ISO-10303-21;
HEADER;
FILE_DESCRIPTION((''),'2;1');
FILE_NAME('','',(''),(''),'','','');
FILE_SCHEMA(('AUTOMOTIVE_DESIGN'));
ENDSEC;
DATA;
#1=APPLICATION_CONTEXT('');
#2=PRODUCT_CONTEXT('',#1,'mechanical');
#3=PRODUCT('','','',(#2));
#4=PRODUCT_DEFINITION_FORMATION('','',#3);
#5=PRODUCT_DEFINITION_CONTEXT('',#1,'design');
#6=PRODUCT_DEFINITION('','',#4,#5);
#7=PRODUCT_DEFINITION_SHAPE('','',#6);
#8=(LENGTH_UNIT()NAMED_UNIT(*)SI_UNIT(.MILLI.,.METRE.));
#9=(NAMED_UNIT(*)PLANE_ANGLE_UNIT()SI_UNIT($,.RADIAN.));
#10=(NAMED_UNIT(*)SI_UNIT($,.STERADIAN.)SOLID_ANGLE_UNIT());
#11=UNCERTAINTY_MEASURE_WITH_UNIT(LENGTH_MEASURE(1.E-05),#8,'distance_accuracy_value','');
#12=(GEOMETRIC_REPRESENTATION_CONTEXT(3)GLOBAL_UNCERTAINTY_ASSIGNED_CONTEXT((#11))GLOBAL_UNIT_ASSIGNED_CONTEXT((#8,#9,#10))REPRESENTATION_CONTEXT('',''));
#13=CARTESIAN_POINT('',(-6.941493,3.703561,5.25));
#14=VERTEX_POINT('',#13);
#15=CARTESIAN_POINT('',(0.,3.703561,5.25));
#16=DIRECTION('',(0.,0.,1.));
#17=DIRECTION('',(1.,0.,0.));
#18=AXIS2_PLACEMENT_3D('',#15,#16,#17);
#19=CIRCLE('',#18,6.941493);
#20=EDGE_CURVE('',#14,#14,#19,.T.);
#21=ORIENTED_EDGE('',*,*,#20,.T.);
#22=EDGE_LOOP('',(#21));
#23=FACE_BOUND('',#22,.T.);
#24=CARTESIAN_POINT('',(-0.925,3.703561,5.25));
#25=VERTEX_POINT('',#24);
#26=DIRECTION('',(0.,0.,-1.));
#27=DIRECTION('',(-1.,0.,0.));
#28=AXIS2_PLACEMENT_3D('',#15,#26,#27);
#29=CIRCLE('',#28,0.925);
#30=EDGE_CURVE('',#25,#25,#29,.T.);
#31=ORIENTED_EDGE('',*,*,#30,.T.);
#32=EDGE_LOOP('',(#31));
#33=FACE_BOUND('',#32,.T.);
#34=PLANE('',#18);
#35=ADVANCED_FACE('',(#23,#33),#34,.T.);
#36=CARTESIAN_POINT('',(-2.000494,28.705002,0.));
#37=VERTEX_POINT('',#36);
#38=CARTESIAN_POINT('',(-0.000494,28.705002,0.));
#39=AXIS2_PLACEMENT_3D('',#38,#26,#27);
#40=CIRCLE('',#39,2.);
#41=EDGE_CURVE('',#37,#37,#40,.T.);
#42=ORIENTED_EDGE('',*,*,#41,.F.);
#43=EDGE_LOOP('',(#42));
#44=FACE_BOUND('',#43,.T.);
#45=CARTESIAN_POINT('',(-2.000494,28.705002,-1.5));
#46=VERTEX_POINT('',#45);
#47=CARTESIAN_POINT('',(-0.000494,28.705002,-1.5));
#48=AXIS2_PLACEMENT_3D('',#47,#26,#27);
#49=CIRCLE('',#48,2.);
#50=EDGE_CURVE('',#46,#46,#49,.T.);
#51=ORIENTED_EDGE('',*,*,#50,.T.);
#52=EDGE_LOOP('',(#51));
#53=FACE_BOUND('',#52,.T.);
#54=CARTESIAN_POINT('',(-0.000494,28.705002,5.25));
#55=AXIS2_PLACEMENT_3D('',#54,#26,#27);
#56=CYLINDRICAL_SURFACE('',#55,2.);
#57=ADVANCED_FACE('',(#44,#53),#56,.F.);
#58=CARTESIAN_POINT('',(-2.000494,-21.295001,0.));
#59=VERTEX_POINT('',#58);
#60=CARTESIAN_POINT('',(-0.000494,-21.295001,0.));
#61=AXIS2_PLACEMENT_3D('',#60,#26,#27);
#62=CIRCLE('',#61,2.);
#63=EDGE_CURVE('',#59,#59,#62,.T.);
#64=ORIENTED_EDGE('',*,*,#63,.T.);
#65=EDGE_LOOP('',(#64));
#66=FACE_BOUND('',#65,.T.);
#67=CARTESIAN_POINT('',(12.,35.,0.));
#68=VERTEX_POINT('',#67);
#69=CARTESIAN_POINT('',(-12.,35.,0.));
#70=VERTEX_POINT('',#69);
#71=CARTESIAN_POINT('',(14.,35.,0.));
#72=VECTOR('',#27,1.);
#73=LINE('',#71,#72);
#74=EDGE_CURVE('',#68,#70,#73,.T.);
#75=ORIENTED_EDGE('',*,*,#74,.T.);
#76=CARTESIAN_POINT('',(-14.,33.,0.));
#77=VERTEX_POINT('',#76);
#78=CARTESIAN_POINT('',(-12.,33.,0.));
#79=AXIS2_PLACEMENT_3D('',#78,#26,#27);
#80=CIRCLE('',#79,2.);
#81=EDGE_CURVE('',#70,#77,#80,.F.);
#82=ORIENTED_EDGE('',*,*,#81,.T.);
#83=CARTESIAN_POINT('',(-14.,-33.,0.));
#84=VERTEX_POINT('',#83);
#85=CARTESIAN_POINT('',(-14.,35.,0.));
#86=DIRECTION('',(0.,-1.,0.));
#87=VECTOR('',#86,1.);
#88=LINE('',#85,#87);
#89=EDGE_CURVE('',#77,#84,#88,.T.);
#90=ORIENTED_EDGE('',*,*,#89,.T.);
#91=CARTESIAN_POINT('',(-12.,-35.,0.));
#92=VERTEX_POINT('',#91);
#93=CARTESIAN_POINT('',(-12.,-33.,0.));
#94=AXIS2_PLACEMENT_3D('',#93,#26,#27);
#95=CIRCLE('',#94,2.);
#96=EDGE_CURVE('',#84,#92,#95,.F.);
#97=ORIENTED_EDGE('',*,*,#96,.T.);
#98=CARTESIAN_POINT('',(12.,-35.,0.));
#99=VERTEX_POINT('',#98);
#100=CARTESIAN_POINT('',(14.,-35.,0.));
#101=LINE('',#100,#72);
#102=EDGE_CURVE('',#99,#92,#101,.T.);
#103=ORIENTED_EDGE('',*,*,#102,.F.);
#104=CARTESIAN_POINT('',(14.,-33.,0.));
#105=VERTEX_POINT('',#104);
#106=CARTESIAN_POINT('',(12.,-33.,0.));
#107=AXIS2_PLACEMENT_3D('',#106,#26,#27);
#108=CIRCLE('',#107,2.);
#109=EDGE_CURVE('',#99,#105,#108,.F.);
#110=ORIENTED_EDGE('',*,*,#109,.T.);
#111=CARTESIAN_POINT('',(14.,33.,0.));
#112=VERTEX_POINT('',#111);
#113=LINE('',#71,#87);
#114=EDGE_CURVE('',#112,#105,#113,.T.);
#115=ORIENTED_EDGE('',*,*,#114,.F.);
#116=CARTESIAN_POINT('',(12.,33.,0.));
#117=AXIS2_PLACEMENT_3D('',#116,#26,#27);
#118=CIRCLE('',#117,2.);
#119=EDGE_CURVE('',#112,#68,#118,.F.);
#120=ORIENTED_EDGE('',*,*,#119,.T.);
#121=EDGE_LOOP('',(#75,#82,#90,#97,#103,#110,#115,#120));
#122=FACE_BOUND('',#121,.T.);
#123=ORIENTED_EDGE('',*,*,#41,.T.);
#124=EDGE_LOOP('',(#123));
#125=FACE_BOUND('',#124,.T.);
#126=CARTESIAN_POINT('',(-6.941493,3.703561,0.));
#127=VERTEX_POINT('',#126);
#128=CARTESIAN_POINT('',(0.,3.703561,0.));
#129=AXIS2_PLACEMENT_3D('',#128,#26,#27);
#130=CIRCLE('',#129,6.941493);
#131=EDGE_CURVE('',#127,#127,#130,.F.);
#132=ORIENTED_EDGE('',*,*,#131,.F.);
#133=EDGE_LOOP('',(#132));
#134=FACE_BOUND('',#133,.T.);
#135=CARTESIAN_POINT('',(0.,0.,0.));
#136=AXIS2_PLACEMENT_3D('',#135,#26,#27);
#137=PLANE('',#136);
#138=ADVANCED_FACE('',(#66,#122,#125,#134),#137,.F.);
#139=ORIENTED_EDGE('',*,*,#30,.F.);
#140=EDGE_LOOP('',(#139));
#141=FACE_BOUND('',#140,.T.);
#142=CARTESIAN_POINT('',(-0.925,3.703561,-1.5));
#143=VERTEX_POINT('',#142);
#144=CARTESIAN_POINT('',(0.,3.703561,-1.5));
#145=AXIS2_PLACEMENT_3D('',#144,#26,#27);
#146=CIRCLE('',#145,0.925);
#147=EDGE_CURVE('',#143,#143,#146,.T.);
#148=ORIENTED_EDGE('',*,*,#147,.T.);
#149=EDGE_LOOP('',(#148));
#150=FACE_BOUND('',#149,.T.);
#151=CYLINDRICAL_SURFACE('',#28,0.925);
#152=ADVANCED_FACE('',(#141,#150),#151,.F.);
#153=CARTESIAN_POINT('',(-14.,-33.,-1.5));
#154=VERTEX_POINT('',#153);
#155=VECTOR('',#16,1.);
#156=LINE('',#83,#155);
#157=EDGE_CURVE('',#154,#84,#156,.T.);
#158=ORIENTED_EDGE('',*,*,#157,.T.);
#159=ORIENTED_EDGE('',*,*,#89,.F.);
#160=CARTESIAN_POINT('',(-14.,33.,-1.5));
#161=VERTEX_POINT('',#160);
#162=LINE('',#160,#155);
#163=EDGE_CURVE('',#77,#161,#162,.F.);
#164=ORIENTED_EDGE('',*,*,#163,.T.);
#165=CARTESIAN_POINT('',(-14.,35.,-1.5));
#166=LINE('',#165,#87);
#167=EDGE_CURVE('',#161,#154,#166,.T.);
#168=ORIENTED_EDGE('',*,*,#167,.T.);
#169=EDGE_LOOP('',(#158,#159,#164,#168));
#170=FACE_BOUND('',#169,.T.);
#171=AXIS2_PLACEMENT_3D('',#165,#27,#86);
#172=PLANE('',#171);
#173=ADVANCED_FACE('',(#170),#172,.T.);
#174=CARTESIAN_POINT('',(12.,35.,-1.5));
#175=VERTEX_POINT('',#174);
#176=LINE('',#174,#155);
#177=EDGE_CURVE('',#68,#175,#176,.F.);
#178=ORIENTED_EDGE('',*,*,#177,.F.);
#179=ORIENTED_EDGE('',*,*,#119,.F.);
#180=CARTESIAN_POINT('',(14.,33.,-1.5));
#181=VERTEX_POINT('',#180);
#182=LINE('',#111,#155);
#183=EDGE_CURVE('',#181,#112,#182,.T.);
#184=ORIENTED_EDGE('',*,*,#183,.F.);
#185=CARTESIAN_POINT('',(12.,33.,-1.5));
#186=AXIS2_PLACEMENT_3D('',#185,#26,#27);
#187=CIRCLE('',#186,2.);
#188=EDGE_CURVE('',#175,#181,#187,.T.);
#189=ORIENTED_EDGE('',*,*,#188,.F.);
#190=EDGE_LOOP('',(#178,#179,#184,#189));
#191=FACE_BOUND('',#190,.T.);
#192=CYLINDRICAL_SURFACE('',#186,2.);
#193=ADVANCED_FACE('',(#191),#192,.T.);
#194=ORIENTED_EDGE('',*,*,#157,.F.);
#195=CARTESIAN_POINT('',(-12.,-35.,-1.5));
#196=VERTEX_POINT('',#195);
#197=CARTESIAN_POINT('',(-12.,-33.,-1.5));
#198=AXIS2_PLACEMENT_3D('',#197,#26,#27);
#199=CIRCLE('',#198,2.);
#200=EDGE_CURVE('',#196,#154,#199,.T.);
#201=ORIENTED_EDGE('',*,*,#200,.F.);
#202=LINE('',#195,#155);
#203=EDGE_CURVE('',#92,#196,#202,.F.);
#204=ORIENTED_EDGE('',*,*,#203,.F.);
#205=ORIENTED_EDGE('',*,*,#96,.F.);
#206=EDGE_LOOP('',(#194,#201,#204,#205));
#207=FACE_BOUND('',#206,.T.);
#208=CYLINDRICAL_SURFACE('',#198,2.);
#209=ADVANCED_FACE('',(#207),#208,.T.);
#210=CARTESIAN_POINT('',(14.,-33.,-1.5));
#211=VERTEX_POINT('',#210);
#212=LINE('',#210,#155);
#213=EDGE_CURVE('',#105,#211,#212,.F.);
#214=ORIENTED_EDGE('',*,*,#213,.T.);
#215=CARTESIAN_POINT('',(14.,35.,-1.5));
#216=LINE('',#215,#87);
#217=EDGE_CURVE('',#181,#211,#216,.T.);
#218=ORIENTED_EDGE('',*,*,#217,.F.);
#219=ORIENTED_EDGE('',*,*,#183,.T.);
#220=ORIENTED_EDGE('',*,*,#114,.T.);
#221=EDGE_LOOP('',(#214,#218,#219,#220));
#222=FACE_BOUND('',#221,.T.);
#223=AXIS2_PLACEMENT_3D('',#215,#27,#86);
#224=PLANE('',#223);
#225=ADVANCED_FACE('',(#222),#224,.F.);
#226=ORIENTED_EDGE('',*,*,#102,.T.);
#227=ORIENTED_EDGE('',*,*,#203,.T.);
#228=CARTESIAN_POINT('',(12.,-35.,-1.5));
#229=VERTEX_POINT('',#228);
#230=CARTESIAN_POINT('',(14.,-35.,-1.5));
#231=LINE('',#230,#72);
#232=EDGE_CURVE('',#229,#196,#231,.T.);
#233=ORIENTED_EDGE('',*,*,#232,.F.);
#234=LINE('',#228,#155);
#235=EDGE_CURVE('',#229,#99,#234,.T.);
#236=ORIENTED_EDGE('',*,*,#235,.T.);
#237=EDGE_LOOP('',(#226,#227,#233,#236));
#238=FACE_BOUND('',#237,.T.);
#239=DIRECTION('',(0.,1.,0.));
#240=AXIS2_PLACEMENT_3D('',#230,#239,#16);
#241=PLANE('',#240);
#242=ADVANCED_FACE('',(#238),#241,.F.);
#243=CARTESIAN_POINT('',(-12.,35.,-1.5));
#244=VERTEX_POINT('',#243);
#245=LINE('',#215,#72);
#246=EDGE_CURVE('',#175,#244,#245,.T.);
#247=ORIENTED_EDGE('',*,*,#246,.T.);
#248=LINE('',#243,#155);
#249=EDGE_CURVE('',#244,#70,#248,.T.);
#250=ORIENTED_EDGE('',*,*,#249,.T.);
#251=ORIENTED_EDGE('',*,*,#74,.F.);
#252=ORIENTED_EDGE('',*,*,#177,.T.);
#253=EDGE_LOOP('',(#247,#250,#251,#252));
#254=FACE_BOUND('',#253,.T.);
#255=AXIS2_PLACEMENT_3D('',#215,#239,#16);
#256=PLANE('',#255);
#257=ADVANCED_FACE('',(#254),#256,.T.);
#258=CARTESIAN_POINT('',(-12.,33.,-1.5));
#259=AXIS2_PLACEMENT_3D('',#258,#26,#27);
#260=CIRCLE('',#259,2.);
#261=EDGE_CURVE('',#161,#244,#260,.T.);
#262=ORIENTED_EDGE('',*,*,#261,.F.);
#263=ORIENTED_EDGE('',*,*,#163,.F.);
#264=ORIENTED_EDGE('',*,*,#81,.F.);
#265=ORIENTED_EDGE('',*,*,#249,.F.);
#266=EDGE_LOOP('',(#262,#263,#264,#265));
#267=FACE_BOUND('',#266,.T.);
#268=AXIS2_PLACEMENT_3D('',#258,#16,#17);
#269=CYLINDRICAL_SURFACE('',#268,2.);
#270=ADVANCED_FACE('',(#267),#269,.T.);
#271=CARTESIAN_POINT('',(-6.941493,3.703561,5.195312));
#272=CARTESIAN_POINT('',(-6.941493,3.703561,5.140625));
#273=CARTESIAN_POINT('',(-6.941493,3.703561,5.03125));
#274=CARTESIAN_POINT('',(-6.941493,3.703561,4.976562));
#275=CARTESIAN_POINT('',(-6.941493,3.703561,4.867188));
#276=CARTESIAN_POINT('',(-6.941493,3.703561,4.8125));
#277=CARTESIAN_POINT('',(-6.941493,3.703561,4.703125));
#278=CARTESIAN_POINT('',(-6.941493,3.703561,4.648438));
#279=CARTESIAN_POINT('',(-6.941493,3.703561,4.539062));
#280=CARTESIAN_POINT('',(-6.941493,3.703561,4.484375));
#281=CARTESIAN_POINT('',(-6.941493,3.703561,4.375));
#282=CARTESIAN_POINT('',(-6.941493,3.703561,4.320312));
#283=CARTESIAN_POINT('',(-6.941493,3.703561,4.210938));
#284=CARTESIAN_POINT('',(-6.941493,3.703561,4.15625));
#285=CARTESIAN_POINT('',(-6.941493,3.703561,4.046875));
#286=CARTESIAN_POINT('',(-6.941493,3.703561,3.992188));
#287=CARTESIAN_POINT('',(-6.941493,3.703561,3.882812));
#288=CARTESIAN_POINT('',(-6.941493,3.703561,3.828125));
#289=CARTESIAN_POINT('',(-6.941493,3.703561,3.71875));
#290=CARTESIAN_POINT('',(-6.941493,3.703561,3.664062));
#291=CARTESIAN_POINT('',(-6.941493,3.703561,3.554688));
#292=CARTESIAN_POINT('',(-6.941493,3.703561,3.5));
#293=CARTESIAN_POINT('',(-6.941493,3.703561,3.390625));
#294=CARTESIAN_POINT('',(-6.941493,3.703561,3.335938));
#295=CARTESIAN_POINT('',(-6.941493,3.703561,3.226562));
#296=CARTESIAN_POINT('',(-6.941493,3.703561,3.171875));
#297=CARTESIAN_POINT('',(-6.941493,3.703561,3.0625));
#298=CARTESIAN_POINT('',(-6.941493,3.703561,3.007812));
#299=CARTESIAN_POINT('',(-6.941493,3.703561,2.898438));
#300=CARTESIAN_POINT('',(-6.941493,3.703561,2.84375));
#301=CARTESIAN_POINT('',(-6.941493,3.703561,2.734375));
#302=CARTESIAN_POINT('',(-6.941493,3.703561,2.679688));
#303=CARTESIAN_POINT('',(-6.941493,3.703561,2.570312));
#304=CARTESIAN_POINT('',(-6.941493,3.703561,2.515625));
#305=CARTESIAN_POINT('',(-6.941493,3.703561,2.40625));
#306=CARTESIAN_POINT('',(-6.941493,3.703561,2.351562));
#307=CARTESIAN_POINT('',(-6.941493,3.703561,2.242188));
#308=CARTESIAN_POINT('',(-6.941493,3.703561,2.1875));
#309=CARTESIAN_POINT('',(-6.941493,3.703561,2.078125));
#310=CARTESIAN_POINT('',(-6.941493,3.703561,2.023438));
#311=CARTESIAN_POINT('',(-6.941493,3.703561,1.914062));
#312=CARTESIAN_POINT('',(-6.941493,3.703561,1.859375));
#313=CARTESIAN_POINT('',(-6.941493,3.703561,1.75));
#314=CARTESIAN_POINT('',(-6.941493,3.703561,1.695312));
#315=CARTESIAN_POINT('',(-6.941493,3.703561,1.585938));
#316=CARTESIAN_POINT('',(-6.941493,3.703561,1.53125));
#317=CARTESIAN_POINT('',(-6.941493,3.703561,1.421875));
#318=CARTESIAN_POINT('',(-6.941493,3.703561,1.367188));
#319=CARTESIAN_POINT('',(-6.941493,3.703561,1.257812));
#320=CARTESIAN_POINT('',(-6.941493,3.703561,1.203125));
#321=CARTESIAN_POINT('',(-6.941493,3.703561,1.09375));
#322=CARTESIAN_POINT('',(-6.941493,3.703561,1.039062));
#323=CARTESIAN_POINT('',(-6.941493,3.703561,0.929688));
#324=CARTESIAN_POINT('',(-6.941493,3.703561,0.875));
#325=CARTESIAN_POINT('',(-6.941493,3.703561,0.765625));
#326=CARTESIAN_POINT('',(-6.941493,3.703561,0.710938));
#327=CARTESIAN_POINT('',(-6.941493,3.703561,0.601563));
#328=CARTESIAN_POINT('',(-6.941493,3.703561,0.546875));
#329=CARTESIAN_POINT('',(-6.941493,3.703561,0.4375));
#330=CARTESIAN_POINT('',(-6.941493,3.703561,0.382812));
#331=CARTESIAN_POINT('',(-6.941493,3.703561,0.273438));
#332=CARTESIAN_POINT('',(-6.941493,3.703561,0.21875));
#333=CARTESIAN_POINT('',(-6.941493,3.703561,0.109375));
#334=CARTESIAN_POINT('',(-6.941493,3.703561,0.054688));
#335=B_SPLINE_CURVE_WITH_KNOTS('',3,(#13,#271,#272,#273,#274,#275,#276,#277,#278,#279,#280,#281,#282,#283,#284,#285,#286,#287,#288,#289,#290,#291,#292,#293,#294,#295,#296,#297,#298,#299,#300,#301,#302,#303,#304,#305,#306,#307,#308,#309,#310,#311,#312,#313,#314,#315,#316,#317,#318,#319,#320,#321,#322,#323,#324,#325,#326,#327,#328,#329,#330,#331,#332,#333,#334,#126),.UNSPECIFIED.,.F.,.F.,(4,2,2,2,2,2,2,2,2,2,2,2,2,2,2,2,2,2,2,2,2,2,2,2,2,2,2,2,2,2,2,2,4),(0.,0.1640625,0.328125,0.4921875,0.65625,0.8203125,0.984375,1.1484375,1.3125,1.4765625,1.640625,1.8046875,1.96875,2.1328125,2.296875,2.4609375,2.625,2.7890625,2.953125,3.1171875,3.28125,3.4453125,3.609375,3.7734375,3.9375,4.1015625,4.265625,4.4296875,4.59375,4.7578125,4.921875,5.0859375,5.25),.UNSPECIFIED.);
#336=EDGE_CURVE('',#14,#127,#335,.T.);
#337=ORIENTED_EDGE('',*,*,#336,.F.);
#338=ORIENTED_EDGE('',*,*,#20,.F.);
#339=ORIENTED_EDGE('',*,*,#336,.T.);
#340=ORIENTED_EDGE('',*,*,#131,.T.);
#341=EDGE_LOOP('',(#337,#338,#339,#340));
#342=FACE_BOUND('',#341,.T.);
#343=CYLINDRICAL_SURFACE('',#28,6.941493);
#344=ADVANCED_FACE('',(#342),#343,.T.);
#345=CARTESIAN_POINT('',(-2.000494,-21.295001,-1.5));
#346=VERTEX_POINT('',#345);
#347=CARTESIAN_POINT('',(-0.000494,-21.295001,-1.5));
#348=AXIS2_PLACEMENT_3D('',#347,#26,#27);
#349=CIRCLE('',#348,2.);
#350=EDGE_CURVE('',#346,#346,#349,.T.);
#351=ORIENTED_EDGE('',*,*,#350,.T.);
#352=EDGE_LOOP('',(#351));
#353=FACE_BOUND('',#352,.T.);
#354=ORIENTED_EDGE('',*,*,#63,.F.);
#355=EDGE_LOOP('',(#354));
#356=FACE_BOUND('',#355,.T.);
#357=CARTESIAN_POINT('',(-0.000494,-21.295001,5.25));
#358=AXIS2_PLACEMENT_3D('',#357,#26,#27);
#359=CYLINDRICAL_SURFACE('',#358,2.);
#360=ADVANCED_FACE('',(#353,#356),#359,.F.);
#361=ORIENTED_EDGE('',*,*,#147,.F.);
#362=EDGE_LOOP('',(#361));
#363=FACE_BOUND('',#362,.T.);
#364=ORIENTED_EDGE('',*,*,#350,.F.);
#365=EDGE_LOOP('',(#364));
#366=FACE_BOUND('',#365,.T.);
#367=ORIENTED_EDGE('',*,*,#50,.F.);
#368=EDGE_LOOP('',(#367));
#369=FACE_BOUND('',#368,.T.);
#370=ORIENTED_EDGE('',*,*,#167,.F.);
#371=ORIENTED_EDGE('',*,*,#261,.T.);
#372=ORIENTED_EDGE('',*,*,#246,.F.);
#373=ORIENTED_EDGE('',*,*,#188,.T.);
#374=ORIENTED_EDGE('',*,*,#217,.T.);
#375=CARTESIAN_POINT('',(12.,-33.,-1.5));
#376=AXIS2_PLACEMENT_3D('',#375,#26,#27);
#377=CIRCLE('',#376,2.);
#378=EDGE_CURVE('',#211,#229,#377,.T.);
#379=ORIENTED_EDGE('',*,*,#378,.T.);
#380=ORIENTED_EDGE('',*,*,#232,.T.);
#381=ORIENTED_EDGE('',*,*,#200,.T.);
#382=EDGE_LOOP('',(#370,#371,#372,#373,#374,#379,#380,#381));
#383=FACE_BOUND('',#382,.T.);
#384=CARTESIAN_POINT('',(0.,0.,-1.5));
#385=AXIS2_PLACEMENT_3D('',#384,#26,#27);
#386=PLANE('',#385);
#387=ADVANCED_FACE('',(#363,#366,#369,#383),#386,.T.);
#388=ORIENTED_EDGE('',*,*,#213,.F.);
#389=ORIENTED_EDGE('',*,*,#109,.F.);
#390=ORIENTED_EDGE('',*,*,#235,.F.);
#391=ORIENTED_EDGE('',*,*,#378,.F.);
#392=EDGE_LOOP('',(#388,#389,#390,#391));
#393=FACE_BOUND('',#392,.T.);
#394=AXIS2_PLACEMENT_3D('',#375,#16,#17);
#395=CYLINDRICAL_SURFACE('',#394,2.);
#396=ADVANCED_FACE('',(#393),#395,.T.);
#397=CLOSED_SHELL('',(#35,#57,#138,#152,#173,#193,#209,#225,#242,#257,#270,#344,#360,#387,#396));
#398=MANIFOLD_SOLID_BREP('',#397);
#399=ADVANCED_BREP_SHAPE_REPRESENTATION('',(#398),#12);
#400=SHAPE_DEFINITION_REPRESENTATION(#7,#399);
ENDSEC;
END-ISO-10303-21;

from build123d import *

# Parameters (mm, degrees)
SKETCH1_W           = 28
SKETCH1_H           = 70
BOSS_EXTRUDE1_DEPTH = 1.5
SKETCH3_R           = 6.941493401
BOSS_EXTRUDE2_DEPTH = 5.25
SKETCH2_R           = 2
SKETCH2_R_2         = 0.925
CUT_EXTRUDE1_DEPTH  = 39.295724304
FILLET1_R           = 2


with BuildPart() as part:
    # Sketch1 → Boss-Extrude1 (new body)
    with BuildSketch(Plane.XY):
        Rectangle(SKETCH1_W, SKETCH1_H)
    extrude(amount=-BOSS_EXTRUDE1_DEPTH)

    # Sketch3 → Boss-Extrude2 (add)
    with BuildSketch(Plane.XY):
        with Locations(Location((0, 3.703561495, 0), (0, 0, 180))):
            Circle(SKETCH3_R)
    extrude(amount=BOSS_EXTRUDE2_DEPTH)

    # Sketch2 → Cut-Extrude1 (cut, through all)
    with BuildSketch(Plane(origin=(0, 0, -1.5), x_dir=(-1, 0, 0), z_dir=(0, 0, -1))):
        with Locations((0.000493893, -21.295000553)):
            Circle(SKETCH2_R)
        with Locations((0.000493654, 28.705001831)):
            Circle(SKETCH2_R)
        with Locations((0, 3.703561495)):
            Circle(SKETCH2_R_2)
    extrude(amount=-CUT_EXTRUDE1_DEPTH, mode=Mode.SUBTRACT)

    # Fillet1
    fillet1_edges = [part.edges().sort_by_distance(p)[0] for p in [
        (14, 35, -0.75),
        (-14, 35, -0.75),
        (-14, -35, -0.75),
        (14, -35, -0.75),
    ]]
    fillet(fillet1_edges, radius=FILLET1_R)


solid = part.part
